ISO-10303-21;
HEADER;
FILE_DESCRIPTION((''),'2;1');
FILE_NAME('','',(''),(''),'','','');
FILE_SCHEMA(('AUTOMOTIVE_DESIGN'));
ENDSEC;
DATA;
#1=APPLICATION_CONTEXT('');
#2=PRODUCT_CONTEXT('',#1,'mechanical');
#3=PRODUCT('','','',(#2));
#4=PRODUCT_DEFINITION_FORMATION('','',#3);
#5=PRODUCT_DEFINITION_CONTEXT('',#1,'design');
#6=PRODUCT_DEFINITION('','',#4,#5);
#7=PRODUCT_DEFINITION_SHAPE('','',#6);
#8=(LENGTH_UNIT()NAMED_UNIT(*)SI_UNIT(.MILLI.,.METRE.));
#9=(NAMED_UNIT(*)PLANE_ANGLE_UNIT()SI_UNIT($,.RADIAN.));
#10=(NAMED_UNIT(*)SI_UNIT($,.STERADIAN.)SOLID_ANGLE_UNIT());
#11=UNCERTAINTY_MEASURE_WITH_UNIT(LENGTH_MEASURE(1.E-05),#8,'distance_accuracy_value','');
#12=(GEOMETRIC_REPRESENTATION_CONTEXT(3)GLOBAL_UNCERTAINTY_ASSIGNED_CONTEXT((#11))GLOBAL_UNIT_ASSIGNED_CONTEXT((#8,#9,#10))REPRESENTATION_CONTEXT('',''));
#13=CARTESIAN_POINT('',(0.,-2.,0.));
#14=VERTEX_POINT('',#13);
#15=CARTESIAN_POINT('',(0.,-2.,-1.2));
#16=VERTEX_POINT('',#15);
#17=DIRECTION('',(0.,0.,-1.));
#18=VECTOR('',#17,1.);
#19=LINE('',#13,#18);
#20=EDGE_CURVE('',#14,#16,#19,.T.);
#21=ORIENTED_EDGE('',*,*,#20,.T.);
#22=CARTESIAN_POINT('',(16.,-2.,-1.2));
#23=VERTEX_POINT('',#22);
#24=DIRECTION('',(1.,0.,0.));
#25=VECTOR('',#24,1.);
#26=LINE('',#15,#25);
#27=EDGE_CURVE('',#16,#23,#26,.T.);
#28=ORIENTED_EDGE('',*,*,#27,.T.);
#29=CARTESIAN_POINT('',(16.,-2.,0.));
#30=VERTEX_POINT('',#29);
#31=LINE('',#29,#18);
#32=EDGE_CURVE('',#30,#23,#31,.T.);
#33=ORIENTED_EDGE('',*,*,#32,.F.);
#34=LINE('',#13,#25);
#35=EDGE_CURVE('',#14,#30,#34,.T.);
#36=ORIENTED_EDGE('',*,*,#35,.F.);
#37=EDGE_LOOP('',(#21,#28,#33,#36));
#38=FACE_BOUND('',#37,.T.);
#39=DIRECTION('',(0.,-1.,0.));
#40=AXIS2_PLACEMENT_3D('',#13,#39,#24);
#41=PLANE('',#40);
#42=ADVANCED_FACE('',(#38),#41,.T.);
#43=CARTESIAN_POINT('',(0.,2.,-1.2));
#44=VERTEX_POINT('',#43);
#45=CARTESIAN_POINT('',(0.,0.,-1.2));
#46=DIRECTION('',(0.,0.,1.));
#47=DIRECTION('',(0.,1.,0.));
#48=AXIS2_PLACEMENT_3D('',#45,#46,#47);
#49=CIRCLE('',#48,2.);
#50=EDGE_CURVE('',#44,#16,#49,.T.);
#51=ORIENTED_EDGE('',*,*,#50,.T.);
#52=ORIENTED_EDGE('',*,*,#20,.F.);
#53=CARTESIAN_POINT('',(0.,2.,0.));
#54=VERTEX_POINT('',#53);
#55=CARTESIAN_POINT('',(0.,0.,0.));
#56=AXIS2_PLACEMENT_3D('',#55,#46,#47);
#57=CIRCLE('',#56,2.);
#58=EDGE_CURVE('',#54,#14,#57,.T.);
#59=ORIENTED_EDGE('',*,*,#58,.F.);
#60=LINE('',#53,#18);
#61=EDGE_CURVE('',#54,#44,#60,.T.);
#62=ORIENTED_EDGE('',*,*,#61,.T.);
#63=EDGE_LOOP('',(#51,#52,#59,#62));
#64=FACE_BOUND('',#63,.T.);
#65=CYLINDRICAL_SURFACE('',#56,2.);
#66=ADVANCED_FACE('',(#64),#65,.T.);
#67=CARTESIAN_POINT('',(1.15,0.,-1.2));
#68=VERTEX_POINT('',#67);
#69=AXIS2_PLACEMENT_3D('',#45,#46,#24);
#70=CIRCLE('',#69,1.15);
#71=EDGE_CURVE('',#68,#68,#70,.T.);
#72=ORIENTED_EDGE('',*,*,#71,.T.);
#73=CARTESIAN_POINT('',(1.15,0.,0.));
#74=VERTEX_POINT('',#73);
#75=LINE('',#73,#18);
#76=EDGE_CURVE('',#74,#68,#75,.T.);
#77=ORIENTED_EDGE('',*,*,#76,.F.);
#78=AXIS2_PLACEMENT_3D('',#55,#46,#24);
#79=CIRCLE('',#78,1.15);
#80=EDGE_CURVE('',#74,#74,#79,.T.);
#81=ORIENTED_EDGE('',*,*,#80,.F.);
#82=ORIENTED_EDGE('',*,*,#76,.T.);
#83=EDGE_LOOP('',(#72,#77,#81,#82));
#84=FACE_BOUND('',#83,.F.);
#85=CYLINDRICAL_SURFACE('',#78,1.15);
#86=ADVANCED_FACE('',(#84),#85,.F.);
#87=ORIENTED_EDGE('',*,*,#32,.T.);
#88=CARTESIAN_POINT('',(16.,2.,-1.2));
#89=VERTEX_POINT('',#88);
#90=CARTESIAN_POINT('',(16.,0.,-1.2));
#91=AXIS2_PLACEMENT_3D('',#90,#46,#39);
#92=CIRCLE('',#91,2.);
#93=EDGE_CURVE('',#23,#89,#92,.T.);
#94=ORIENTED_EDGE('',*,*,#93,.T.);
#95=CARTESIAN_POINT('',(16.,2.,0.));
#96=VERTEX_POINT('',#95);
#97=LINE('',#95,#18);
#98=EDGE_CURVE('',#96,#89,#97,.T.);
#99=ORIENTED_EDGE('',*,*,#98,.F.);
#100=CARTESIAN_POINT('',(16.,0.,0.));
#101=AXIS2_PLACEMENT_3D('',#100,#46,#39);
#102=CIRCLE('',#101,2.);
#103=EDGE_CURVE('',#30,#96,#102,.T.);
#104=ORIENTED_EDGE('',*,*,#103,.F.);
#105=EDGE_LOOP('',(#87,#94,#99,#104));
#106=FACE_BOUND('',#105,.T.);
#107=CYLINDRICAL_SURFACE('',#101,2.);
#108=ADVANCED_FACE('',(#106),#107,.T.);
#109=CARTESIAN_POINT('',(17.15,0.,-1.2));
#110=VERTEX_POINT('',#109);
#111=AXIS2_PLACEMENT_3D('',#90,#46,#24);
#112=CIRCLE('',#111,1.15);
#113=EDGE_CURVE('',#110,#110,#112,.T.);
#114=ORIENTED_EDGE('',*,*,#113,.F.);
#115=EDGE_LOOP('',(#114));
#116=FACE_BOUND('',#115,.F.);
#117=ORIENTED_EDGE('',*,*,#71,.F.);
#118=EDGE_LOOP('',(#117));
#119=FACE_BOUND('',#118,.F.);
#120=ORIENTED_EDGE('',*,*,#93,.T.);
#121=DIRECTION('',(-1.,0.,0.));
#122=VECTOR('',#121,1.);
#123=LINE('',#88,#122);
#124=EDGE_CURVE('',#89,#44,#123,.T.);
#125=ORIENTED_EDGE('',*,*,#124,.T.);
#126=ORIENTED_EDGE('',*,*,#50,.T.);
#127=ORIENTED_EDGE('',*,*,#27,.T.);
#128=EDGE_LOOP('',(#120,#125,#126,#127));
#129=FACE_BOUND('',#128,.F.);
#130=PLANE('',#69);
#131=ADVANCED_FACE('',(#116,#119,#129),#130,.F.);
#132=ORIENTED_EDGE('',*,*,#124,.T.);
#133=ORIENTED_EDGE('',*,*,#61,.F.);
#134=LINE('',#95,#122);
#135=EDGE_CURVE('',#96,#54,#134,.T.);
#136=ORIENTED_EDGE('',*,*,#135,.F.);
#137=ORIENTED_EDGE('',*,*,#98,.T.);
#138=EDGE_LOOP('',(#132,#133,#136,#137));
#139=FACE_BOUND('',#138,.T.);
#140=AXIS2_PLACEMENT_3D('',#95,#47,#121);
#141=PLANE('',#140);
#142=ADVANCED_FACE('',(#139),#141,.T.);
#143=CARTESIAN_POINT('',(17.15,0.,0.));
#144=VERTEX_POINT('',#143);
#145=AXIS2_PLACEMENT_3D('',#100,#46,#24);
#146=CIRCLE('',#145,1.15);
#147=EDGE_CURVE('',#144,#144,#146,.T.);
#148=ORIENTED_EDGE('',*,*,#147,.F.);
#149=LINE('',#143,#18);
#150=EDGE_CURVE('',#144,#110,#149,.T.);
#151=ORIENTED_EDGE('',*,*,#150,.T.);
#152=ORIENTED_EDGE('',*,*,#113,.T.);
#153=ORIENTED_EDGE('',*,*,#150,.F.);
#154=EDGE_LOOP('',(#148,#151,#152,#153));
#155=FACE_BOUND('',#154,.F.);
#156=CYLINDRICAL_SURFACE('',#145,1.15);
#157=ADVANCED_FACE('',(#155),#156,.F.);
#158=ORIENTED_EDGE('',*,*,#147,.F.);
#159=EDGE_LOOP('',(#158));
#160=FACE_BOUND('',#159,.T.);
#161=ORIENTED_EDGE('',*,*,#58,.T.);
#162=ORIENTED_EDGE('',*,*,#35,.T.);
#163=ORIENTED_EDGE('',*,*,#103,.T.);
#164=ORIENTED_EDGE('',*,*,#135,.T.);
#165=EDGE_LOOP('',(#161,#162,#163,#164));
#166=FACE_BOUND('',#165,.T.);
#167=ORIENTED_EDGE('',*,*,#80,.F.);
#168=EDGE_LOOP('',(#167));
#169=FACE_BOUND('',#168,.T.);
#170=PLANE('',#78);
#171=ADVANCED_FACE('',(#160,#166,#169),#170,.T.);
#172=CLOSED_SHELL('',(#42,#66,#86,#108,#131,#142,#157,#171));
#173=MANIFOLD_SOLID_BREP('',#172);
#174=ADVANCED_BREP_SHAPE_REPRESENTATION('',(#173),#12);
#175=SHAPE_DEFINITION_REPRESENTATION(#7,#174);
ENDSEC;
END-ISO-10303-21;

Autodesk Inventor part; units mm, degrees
ref_plane "우측면도" through (0, 0, 0) normal (1, 0, 0) x (0, 1, 0)
ref_plane "평면도" through (0, 0, 0) normal (0, 1, 0) x (-1, 0, 0)
ref_plane "정면도" through (0, 0, 0) normal (0, 0, 1) x (1, 0, 0)
sketch "스케치1" plane through (0, 0, 0) normal (0, 0, 1) x (1, 0, 0)
  circle A0 centre (0, 0) radius 1.15
  circle A1 centre (16, 0) radius 1.15
  line L0 (0, 0) -> (16, 0) construction
  line L1 (0, -2) -> (16, -2)
  line L2 (16, 2) -> (0, 2)
  arc A2 (0, 2) -> (0, -2) centre (0, 0) ccw
  arc A3 (16, -2) -> (16, 2) centre (16, 0) ccw
  point P0 (8, 0)
  dimension "d0" = 16
  dimension "d1" = 2.3
  dimension "d3" = 2
extrude "돌출1" add sketch "스케치1" against normal blind 1.2
properties part number "oled 고정대"
